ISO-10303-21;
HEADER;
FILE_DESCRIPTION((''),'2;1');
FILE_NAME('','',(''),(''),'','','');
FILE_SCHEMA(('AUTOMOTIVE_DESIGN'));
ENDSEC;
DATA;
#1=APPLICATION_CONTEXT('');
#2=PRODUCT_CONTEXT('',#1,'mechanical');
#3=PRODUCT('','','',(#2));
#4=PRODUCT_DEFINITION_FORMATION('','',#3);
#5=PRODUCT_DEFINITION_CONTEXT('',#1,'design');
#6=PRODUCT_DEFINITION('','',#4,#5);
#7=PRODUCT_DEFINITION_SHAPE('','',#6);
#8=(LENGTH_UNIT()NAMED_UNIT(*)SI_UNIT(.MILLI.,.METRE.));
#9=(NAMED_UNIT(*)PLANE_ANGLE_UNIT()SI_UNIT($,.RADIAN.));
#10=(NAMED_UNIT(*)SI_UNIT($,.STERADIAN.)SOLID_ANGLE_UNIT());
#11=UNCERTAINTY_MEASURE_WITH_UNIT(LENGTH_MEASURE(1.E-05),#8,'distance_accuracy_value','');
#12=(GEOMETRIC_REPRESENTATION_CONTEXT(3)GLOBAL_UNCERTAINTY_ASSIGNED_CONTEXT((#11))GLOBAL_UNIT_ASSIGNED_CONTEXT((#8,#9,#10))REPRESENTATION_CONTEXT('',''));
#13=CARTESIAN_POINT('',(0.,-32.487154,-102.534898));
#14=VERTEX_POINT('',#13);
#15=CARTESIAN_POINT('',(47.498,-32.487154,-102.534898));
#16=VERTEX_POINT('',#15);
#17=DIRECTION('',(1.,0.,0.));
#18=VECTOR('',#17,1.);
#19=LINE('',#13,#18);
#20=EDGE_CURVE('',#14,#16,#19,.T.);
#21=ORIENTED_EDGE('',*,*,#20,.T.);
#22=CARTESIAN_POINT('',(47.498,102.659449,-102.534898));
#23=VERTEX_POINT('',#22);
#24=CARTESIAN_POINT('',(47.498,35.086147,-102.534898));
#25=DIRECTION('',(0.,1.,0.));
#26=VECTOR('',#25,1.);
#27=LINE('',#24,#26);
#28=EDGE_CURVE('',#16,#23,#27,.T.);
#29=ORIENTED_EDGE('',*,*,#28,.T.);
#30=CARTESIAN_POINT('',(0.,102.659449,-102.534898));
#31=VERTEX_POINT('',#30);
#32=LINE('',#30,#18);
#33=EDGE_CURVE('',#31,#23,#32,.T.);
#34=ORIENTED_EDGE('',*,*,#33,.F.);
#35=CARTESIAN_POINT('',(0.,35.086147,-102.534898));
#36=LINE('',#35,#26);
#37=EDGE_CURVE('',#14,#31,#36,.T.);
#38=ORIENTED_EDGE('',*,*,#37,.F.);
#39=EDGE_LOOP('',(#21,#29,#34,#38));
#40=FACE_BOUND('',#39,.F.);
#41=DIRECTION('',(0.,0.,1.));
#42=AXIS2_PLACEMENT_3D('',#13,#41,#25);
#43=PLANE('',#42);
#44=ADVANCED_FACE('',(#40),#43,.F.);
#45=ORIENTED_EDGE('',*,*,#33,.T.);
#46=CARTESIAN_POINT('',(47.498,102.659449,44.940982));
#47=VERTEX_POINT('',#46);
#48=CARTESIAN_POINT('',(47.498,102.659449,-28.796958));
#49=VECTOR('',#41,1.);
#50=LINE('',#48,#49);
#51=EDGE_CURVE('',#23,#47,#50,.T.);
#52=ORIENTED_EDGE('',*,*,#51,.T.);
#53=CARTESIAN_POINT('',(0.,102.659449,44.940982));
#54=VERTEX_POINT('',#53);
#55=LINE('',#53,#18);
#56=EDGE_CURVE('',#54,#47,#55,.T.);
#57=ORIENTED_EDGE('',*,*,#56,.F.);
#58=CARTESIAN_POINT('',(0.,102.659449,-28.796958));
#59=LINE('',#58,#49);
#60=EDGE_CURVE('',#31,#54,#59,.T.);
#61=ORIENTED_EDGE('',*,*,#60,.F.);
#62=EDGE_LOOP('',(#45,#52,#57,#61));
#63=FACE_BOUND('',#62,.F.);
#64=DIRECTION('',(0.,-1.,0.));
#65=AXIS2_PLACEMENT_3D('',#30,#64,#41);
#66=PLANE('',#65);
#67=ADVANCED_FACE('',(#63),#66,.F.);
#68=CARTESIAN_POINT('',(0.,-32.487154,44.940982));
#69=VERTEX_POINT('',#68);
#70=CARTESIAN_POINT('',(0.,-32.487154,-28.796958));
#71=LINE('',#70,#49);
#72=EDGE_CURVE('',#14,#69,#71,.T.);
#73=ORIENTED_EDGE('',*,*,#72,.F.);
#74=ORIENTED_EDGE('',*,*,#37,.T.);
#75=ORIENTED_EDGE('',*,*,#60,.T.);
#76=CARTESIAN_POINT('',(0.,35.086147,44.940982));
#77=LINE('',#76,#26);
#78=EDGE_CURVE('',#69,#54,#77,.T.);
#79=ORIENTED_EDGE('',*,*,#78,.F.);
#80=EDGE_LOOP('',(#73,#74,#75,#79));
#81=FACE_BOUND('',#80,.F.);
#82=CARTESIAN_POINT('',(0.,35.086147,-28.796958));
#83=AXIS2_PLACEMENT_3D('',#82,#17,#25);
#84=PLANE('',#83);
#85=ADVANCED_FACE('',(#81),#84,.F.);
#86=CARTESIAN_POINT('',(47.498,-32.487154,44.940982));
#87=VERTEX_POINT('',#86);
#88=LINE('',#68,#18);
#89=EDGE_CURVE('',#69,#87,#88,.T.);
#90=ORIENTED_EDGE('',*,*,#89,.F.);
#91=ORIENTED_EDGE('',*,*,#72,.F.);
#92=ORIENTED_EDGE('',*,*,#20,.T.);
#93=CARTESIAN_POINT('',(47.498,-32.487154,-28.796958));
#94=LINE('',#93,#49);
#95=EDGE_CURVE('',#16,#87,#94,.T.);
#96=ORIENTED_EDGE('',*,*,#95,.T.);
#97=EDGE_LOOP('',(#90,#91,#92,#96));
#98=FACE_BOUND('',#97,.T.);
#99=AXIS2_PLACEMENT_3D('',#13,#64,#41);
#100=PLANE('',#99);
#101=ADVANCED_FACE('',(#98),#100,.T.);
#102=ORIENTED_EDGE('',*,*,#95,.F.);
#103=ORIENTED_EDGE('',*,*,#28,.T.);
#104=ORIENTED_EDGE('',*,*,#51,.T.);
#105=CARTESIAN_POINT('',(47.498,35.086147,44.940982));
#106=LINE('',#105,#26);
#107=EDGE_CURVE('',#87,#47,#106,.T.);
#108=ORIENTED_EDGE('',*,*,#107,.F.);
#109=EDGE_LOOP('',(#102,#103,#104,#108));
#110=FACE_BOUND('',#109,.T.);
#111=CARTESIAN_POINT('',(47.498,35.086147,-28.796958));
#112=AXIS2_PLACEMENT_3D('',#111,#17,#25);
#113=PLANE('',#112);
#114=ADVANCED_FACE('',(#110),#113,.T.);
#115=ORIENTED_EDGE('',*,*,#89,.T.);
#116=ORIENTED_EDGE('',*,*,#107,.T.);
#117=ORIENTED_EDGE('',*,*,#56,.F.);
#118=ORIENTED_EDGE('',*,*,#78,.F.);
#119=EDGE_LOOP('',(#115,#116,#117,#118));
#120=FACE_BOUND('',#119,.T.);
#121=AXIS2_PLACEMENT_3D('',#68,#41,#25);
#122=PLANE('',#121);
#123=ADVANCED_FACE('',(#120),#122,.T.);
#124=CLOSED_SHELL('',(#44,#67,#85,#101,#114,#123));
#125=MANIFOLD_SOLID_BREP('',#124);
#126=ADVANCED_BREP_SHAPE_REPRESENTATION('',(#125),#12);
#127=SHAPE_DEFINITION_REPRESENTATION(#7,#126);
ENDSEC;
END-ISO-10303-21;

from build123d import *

# Parameters (mm, degrees)
F0_W     = 55.2281737328
F0_H     = 28.3643379807
F1_DEPTH = 47.498
F0_W_2   = 135.1466029882
F0_H_2   = 147.4758796394


with BuildPart() as f1:
    # F0 (on Right) → F1 (new body)
    with BuildSketch(Plane.YZ):
        with Locations((130.2735358477, -116.7170666158)):
            Rectangle(F0_W, F0_H)
    extrude(amount=F1_DEPTH)


with BuildPart() as f1b:
    # F0 (on Right) → F1, piece 2 (new body)
    with BuildSketch(Plane.YZ):
        with Locations((35.0861474872, -28.7969578058)):
            Rectangle(F0_W_2, F0_H_2)
    extrude(amount=F1_DEPTH)


solid = f1b.part
